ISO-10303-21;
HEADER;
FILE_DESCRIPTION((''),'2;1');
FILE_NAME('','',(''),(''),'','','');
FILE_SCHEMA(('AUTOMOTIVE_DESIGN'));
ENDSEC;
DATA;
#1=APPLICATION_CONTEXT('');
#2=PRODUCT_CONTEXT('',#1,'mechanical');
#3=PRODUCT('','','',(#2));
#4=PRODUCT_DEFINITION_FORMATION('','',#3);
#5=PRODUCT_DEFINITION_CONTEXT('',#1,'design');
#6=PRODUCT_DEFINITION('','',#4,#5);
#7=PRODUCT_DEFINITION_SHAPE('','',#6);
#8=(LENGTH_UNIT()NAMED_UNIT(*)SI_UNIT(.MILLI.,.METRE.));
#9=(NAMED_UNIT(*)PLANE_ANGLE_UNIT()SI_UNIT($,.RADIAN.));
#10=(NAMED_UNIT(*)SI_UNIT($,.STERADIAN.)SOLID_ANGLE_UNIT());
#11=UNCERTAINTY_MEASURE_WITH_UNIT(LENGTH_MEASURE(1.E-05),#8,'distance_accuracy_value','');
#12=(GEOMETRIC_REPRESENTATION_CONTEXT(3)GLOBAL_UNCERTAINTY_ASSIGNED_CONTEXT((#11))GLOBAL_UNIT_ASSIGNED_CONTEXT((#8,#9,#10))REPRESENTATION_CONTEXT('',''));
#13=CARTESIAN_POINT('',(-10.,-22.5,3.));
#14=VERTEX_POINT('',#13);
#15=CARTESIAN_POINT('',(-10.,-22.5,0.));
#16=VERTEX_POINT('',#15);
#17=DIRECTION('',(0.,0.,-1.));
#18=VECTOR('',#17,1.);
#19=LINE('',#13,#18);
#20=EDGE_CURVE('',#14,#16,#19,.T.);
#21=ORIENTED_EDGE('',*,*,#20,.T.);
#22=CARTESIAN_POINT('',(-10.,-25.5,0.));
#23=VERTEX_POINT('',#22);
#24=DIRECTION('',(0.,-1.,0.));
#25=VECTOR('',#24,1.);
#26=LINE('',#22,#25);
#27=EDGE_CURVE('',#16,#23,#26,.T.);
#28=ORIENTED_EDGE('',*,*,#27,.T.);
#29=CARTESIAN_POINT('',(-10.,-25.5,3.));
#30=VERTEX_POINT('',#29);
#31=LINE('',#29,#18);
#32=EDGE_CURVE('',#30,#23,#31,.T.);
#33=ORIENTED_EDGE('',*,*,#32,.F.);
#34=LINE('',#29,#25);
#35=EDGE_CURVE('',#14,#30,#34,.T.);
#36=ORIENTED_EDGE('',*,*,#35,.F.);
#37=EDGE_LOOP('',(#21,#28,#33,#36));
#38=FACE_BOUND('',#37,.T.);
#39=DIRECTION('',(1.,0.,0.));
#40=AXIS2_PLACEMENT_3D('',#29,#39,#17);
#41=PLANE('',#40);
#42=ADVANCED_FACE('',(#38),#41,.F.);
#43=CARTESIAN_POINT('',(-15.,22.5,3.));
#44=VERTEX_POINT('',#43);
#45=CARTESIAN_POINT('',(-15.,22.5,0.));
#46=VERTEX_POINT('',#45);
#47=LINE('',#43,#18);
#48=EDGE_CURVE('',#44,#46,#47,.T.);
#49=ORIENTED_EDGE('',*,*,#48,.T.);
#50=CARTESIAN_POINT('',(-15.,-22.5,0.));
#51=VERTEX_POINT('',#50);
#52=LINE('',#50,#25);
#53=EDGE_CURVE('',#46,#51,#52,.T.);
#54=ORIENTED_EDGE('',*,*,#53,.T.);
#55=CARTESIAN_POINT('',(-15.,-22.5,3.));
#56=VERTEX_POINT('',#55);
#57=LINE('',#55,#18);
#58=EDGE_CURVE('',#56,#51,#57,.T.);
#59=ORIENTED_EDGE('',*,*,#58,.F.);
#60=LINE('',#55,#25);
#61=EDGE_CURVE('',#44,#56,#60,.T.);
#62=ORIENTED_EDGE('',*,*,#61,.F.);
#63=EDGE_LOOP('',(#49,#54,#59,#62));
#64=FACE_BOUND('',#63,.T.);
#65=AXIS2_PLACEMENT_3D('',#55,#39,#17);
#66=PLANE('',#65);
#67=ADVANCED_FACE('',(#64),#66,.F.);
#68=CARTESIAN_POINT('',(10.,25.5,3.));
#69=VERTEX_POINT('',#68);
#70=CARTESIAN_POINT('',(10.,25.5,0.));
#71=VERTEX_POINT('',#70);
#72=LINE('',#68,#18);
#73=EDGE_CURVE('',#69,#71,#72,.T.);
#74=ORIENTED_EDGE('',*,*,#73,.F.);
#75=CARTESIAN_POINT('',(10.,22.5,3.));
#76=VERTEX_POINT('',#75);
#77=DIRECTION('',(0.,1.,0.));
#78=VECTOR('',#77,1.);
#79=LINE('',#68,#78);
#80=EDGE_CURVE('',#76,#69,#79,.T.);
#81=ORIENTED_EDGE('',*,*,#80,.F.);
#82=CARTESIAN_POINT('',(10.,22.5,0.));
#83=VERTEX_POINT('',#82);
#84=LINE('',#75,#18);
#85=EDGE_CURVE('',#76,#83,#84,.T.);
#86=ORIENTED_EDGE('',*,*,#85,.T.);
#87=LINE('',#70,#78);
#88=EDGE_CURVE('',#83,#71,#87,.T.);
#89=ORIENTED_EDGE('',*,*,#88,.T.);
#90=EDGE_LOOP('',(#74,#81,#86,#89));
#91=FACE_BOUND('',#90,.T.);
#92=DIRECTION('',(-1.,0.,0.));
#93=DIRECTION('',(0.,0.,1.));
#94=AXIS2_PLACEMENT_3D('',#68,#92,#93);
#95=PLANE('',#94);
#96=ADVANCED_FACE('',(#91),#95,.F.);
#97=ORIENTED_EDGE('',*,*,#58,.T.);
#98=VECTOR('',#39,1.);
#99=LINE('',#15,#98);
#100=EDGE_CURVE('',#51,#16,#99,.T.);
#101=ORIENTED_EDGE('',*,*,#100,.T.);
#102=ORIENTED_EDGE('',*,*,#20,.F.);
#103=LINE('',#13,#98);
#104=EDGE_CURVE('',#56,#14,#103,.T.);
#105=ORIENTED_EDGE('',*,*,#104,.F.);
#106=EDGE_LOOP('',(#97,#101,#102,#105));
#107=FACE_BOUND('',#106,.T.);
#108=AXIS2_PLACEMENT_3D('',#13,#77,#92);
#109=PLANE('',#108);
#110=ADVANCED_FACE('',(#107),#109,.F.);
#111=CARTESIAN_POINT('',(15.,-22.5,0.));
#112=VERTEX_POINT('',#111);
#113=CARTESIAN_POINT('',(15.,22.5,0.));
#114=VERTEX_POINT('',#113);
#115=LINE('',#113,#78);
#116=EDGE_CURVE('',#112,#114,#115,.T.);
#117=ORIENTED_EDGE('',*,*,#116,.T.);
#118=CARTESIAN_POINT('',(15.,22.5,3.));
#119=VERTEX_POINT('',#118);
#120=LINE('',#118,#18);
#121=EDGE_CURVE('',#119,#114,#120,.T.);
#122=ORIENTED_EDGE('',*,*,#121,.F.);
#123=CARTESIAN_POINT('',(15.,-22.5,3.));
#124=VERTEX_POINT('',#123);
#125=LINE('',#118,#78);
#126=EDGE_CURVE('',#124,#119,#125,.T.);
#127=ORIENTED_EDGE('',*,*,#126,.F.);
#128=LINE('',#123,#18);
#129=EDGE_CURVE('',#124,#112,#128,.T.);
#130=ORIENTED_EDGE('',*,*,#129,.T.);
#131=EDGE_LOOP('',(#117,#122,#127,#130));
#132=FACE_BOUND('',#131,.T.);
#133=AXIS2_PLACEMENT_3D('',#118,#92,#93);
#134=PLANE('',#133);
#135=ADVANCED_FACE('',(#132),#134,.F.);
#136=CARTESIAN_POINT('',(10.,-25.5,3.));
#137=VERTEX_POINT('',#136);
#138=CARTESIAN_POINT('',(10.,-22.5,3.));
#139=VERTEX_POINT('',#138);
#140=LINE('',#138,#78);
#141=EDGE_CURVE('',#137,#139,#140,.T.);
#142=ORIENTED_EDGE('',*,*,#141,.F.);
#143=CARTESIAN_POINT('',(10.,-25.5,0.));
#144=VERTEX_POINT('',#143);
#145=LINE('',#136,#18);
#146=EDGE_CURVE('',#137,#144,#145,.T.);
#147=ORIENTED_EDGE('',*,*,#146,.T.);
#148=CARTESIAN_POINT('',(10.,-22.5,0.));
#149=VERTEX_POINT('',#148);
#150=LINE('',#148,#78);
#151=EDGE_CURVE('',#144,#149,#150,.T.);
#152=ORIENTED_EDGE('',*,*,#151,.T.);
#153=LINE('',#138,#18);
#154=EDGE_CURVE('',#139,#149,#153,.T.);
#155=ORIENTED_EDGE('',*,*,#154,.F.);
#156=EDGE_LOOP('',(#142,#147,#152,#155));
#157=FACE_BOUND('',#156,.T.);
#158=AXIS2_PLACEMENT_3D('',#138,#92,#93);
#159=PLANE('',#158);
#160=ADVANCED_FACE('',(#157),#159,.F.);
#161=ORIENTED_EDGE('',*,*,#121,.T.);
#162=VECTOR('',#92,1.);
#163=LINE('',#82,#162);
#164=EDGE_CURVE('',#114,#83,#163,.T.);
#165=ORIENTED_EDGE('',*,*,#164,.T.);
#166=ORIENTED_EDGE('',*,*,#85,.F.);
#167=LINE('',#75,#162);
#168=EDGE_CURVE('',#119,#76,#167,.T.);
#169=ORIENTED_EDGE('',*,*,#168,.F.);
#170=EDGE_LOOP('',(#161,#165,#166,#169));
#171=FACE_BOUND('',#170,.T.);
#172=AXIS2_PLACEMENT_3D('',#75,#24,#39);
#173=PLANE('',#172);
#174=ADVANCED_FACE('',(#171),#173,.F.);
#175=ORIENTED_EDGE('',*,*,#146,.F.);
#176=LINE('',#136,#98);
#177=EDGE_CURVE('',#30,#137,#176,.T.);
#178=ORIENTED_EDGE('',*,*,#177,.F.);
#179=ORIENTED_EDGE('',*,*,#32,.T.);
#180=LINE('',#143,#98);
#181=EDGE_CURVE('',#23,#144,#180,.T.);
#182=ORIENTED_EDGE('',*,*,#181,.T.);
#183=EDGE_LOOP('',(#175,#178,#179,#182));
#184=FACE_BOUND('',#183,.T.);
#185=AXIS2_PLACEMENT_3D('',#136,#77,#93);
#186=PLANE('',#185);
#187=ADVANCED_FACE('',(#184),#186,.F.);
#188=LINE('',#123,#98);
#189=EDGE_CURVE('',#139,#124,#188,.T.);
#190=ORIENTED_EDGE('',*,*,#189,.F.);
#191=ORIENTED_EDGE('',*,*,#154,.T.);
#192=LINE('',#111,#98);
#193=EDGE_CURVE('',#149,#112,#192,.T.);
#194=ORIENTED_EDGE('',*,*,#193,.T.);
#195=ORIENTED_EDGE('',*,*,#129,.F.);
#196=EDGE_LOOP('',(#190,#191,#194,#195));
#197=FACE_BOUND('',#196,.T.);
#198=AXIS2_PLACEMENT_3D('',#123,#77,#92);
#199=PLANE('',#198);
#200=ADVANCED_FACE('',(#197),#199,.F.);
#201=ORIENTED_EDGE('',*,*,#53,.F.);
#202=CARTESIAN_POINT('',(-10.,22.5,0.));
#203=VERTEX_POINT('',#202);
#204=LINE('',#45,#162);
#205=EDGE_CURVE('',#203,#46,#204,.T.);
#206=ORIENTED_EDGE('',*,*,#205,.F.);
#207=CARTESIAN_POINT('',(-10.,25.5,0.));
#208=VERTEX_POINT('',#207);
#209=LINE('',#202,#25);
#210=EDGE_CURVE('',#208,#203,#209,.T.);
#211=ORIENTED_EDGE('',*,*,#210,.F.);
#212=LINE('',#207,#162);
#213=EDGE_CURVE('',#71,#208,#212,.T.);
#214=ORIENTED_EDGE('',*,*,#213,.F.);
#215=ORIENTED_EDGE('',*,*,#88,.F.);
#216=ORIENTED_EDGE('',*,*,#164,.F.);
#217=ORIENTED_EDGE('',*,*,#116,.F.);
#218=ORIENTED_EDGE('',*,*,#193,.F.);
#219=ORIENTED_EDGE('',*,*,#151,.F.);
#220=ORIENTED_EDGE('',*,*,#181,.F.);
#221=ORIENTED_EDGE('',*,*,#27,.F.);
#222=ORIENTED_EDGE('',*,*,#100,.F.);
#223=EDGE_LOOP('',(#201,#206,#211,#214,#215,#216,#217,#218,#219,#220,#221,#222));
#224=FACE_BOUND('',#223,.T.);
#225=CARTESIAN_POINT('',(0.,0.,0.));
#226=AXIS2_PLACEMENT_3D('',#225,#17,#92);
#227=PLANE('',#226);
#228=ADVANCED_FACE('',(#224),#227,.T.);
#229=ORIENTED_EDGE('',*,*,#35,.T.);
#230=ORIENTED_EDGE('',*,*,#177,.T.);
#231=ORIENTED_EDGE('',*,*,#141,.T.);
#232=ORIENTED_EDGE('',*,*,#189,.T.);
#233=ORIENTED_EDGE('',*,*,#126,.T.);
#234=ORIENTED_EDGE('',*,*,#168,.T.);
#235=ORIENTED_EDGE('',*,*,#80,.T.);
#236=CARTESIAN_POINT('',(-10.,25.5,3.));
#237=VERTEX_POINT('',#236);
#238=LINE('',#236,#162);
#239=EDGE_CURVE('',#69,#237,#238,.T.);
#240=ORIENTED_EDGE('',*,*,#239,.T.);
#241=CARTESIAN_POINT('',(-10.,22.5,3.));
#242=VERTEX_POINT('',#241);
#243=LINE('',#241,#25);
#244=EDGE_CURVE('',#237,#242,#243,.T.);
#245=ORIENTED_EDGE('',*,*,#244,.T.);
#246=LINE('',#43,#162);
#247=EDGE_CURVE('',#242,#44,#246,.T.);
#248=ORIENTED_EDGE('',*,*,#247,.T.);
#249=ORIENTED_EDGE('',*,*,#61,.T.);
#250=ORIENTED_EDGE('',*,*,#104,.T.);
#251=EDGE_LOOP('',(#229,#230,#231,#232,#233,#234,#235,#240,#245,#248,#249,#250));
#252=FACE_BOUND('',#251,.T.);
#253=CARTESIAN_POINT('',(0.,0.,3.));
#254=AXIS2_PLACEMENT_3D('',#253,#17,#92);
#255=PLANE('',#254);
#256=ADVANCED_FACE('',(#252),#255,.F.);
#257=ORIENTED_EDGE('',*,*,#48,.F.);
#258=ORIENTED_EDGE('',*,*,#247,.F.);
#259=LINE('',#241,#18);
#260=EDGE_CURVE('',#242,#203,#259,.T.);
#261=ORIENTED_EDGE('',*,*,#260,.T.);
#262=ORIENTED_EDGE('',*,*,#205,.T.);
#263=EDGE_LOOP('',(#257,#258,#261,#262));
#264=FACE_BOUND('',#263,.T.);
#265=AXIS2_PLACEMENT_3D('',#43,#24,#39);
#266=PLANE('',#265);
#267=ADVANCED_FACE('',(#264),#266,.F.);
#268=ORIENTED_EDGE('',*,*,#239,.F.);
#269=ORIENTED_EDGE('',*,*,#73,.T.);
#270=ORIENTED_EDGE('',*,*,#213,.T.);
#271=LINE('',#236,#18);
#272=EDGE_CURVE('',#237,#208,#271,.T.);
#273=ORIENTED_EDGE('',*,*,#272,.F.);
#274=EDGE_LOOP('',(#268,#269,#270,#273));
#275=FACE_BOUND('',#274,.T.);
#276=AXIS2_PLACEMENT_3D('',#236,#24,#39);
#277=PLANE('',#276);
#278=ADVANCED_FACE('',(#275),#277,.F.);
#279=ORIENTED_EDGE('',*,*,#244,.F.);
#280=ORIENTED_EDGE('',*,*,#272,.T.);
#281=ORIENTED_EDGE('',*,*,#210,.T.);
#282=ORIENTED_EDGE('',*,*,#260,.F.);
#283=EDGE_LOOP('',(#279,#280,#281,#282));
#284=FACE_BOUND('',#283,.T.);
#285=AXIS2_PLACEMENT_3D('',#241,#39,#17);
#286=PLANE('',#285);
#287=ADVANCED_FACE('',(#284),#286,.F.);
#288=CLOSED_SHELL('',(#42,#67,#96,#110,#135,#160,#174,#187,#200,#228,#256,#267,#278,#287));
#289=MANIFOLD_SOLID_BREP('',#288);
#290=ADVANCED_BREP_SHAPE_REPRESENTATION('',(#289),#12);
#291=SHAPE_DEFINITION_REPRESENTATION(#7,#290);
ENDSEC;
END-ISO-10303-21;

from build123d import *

# Parameters (mm, degrees)
BOSS_EXTRUDE1_DEPTH = 3


with BuildPart() as part:
    # Sketch1 → Boss-Extrude1 (new body)
    with BuildSketch(Plane.XY):
        Polygon((-10, 25.5), (10, 25.5), (10, 22.5), (15, 22.5), (15, -22.5), (10, -22.5), (10, -25.5), (-10, -25.5), (-10, -22.5), (-15, -22.5), (-15, 22.5), (-10, 22.5), align=None)
    extrude(amount=BOSS_EXTRUDE1_DEPTH)


solid = part.part
